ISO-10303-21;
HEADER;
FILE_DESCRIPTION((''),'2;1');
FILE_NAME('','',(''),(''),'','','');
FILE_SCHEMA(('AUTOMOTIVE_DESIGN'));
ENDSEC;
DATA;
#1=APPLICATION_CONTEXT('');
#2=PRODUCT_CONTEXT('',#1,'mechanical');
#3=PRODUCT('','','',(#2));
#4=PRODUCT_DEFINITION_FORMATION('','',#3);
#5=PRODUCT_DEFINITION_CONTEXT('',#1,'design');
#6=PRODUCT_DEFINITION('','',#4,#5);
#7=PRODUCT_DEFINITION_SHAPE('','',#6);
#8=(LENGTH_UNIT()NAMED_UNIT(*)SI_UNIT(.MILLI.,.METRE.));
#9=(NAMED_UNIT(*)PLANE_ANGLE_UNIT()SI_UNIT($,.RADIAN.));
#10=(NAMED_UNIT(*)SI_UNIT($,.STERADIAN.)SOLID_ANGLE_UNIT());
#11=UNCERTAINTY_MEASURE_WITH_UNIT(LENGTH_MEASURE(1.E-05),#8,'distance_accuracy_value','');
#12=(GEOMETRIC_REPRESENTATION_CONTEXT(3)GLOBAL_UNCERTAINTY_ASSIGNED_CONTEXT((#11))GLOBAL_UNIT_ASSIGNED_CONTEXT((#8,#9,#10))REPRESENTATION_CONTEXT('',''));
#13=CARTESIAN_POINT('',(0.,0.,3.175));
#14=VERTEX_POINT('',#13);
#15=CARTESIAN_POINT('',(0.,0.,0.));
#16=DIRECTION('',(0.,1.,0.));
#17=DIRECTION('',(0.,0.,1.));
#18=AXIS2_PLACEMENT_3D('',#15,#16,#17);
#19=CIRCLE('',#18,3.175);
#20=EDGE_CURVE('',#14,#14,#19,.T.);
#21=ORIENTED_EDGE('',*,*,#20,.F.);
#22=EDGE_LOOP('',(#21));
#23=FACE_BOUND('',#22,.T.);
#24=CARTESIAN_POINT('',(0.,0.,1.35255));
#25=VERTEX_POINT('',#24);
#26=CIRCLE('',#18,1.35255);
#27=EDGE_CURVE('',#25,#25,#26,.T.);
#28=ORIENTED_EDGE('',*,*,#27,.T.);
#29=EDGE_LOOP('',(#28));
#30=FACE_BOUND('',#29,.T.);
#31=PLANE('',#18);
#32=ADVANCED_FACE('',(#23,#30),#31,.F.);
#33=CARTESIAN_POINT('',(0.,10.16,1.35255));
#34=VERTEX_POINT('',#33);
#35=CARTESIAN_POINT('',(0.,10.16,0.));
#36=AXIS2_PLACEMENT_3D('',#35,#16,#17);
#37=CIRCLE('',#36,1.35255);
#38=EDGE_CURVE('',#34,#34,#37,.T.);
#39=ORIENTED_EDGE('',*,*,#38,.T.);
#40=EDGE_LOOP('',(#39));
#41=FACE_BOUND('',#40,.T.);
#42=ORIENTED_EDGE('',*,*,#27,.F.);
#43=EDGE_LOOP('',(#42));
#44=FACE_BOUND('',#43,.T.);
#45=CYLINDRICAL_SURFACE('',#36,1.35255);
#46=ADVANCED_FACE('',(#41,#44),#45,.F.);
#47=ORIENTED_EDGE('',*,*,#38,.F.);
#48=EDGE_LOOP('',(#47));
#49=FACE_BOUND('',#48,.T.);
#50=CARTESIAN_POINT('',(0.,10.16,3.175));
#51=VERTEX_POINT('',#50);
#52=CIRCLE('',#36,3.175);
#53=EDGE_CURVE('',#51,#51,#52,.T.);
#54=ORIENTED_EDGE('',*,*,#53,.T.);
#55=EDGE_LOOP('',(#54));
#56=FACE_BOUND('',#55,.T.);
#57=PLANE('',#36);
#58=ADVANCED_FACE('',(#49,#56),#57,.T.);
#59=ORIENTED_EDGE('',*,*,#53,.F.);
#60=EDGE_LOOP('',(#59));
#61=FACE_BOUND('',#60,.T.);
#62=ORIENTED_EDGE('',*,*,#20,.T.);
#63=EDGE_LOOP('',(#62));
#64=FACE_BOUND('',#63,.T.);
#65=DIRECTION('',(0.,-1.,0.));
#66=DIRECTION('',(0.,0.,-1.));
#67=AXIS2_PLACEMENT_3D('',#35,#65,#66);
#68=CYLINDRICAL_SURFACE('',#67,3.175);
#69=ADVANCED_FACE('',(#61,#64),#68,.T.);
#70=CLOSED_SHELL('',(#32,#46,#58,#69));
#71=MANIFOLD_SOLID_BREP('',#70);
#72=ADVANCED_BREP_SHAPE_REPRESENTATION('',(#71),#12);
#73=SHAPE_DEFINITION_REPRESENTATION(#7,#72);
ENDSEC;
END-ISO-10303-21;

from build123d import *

# Parameters (mm, degrees)
SKETCH1_R             = 3.175
BOSS_EXTRUDE1_DEPTH   = 10.16
F_2_CLEARANCE_HOLE1_D = 2.7051


with BuildPart() as part:
    # Sketch1 → Boss-Extrude1 (new body)
    with BuildSketch(Plane(origin=(0, 0, 0), x_dir=(1, 0, 0), z_dir=(0, 1, 0))):
        Circle(SKETCH1_R)
    extrude(amount=BOSS_EXTRUDE1_DEPTH)

    # #2 Clearance Hole1 (through all)
    with Locations(Plane(origin=(0, 10.16, 0), x_dir=(1, 0, 0), z_dir=(0, 1, 0))):
        with Locations((0, 0)):
            Hole(F_2_CLEARANCE_HOLE1_D / 2)


solid = part.part
